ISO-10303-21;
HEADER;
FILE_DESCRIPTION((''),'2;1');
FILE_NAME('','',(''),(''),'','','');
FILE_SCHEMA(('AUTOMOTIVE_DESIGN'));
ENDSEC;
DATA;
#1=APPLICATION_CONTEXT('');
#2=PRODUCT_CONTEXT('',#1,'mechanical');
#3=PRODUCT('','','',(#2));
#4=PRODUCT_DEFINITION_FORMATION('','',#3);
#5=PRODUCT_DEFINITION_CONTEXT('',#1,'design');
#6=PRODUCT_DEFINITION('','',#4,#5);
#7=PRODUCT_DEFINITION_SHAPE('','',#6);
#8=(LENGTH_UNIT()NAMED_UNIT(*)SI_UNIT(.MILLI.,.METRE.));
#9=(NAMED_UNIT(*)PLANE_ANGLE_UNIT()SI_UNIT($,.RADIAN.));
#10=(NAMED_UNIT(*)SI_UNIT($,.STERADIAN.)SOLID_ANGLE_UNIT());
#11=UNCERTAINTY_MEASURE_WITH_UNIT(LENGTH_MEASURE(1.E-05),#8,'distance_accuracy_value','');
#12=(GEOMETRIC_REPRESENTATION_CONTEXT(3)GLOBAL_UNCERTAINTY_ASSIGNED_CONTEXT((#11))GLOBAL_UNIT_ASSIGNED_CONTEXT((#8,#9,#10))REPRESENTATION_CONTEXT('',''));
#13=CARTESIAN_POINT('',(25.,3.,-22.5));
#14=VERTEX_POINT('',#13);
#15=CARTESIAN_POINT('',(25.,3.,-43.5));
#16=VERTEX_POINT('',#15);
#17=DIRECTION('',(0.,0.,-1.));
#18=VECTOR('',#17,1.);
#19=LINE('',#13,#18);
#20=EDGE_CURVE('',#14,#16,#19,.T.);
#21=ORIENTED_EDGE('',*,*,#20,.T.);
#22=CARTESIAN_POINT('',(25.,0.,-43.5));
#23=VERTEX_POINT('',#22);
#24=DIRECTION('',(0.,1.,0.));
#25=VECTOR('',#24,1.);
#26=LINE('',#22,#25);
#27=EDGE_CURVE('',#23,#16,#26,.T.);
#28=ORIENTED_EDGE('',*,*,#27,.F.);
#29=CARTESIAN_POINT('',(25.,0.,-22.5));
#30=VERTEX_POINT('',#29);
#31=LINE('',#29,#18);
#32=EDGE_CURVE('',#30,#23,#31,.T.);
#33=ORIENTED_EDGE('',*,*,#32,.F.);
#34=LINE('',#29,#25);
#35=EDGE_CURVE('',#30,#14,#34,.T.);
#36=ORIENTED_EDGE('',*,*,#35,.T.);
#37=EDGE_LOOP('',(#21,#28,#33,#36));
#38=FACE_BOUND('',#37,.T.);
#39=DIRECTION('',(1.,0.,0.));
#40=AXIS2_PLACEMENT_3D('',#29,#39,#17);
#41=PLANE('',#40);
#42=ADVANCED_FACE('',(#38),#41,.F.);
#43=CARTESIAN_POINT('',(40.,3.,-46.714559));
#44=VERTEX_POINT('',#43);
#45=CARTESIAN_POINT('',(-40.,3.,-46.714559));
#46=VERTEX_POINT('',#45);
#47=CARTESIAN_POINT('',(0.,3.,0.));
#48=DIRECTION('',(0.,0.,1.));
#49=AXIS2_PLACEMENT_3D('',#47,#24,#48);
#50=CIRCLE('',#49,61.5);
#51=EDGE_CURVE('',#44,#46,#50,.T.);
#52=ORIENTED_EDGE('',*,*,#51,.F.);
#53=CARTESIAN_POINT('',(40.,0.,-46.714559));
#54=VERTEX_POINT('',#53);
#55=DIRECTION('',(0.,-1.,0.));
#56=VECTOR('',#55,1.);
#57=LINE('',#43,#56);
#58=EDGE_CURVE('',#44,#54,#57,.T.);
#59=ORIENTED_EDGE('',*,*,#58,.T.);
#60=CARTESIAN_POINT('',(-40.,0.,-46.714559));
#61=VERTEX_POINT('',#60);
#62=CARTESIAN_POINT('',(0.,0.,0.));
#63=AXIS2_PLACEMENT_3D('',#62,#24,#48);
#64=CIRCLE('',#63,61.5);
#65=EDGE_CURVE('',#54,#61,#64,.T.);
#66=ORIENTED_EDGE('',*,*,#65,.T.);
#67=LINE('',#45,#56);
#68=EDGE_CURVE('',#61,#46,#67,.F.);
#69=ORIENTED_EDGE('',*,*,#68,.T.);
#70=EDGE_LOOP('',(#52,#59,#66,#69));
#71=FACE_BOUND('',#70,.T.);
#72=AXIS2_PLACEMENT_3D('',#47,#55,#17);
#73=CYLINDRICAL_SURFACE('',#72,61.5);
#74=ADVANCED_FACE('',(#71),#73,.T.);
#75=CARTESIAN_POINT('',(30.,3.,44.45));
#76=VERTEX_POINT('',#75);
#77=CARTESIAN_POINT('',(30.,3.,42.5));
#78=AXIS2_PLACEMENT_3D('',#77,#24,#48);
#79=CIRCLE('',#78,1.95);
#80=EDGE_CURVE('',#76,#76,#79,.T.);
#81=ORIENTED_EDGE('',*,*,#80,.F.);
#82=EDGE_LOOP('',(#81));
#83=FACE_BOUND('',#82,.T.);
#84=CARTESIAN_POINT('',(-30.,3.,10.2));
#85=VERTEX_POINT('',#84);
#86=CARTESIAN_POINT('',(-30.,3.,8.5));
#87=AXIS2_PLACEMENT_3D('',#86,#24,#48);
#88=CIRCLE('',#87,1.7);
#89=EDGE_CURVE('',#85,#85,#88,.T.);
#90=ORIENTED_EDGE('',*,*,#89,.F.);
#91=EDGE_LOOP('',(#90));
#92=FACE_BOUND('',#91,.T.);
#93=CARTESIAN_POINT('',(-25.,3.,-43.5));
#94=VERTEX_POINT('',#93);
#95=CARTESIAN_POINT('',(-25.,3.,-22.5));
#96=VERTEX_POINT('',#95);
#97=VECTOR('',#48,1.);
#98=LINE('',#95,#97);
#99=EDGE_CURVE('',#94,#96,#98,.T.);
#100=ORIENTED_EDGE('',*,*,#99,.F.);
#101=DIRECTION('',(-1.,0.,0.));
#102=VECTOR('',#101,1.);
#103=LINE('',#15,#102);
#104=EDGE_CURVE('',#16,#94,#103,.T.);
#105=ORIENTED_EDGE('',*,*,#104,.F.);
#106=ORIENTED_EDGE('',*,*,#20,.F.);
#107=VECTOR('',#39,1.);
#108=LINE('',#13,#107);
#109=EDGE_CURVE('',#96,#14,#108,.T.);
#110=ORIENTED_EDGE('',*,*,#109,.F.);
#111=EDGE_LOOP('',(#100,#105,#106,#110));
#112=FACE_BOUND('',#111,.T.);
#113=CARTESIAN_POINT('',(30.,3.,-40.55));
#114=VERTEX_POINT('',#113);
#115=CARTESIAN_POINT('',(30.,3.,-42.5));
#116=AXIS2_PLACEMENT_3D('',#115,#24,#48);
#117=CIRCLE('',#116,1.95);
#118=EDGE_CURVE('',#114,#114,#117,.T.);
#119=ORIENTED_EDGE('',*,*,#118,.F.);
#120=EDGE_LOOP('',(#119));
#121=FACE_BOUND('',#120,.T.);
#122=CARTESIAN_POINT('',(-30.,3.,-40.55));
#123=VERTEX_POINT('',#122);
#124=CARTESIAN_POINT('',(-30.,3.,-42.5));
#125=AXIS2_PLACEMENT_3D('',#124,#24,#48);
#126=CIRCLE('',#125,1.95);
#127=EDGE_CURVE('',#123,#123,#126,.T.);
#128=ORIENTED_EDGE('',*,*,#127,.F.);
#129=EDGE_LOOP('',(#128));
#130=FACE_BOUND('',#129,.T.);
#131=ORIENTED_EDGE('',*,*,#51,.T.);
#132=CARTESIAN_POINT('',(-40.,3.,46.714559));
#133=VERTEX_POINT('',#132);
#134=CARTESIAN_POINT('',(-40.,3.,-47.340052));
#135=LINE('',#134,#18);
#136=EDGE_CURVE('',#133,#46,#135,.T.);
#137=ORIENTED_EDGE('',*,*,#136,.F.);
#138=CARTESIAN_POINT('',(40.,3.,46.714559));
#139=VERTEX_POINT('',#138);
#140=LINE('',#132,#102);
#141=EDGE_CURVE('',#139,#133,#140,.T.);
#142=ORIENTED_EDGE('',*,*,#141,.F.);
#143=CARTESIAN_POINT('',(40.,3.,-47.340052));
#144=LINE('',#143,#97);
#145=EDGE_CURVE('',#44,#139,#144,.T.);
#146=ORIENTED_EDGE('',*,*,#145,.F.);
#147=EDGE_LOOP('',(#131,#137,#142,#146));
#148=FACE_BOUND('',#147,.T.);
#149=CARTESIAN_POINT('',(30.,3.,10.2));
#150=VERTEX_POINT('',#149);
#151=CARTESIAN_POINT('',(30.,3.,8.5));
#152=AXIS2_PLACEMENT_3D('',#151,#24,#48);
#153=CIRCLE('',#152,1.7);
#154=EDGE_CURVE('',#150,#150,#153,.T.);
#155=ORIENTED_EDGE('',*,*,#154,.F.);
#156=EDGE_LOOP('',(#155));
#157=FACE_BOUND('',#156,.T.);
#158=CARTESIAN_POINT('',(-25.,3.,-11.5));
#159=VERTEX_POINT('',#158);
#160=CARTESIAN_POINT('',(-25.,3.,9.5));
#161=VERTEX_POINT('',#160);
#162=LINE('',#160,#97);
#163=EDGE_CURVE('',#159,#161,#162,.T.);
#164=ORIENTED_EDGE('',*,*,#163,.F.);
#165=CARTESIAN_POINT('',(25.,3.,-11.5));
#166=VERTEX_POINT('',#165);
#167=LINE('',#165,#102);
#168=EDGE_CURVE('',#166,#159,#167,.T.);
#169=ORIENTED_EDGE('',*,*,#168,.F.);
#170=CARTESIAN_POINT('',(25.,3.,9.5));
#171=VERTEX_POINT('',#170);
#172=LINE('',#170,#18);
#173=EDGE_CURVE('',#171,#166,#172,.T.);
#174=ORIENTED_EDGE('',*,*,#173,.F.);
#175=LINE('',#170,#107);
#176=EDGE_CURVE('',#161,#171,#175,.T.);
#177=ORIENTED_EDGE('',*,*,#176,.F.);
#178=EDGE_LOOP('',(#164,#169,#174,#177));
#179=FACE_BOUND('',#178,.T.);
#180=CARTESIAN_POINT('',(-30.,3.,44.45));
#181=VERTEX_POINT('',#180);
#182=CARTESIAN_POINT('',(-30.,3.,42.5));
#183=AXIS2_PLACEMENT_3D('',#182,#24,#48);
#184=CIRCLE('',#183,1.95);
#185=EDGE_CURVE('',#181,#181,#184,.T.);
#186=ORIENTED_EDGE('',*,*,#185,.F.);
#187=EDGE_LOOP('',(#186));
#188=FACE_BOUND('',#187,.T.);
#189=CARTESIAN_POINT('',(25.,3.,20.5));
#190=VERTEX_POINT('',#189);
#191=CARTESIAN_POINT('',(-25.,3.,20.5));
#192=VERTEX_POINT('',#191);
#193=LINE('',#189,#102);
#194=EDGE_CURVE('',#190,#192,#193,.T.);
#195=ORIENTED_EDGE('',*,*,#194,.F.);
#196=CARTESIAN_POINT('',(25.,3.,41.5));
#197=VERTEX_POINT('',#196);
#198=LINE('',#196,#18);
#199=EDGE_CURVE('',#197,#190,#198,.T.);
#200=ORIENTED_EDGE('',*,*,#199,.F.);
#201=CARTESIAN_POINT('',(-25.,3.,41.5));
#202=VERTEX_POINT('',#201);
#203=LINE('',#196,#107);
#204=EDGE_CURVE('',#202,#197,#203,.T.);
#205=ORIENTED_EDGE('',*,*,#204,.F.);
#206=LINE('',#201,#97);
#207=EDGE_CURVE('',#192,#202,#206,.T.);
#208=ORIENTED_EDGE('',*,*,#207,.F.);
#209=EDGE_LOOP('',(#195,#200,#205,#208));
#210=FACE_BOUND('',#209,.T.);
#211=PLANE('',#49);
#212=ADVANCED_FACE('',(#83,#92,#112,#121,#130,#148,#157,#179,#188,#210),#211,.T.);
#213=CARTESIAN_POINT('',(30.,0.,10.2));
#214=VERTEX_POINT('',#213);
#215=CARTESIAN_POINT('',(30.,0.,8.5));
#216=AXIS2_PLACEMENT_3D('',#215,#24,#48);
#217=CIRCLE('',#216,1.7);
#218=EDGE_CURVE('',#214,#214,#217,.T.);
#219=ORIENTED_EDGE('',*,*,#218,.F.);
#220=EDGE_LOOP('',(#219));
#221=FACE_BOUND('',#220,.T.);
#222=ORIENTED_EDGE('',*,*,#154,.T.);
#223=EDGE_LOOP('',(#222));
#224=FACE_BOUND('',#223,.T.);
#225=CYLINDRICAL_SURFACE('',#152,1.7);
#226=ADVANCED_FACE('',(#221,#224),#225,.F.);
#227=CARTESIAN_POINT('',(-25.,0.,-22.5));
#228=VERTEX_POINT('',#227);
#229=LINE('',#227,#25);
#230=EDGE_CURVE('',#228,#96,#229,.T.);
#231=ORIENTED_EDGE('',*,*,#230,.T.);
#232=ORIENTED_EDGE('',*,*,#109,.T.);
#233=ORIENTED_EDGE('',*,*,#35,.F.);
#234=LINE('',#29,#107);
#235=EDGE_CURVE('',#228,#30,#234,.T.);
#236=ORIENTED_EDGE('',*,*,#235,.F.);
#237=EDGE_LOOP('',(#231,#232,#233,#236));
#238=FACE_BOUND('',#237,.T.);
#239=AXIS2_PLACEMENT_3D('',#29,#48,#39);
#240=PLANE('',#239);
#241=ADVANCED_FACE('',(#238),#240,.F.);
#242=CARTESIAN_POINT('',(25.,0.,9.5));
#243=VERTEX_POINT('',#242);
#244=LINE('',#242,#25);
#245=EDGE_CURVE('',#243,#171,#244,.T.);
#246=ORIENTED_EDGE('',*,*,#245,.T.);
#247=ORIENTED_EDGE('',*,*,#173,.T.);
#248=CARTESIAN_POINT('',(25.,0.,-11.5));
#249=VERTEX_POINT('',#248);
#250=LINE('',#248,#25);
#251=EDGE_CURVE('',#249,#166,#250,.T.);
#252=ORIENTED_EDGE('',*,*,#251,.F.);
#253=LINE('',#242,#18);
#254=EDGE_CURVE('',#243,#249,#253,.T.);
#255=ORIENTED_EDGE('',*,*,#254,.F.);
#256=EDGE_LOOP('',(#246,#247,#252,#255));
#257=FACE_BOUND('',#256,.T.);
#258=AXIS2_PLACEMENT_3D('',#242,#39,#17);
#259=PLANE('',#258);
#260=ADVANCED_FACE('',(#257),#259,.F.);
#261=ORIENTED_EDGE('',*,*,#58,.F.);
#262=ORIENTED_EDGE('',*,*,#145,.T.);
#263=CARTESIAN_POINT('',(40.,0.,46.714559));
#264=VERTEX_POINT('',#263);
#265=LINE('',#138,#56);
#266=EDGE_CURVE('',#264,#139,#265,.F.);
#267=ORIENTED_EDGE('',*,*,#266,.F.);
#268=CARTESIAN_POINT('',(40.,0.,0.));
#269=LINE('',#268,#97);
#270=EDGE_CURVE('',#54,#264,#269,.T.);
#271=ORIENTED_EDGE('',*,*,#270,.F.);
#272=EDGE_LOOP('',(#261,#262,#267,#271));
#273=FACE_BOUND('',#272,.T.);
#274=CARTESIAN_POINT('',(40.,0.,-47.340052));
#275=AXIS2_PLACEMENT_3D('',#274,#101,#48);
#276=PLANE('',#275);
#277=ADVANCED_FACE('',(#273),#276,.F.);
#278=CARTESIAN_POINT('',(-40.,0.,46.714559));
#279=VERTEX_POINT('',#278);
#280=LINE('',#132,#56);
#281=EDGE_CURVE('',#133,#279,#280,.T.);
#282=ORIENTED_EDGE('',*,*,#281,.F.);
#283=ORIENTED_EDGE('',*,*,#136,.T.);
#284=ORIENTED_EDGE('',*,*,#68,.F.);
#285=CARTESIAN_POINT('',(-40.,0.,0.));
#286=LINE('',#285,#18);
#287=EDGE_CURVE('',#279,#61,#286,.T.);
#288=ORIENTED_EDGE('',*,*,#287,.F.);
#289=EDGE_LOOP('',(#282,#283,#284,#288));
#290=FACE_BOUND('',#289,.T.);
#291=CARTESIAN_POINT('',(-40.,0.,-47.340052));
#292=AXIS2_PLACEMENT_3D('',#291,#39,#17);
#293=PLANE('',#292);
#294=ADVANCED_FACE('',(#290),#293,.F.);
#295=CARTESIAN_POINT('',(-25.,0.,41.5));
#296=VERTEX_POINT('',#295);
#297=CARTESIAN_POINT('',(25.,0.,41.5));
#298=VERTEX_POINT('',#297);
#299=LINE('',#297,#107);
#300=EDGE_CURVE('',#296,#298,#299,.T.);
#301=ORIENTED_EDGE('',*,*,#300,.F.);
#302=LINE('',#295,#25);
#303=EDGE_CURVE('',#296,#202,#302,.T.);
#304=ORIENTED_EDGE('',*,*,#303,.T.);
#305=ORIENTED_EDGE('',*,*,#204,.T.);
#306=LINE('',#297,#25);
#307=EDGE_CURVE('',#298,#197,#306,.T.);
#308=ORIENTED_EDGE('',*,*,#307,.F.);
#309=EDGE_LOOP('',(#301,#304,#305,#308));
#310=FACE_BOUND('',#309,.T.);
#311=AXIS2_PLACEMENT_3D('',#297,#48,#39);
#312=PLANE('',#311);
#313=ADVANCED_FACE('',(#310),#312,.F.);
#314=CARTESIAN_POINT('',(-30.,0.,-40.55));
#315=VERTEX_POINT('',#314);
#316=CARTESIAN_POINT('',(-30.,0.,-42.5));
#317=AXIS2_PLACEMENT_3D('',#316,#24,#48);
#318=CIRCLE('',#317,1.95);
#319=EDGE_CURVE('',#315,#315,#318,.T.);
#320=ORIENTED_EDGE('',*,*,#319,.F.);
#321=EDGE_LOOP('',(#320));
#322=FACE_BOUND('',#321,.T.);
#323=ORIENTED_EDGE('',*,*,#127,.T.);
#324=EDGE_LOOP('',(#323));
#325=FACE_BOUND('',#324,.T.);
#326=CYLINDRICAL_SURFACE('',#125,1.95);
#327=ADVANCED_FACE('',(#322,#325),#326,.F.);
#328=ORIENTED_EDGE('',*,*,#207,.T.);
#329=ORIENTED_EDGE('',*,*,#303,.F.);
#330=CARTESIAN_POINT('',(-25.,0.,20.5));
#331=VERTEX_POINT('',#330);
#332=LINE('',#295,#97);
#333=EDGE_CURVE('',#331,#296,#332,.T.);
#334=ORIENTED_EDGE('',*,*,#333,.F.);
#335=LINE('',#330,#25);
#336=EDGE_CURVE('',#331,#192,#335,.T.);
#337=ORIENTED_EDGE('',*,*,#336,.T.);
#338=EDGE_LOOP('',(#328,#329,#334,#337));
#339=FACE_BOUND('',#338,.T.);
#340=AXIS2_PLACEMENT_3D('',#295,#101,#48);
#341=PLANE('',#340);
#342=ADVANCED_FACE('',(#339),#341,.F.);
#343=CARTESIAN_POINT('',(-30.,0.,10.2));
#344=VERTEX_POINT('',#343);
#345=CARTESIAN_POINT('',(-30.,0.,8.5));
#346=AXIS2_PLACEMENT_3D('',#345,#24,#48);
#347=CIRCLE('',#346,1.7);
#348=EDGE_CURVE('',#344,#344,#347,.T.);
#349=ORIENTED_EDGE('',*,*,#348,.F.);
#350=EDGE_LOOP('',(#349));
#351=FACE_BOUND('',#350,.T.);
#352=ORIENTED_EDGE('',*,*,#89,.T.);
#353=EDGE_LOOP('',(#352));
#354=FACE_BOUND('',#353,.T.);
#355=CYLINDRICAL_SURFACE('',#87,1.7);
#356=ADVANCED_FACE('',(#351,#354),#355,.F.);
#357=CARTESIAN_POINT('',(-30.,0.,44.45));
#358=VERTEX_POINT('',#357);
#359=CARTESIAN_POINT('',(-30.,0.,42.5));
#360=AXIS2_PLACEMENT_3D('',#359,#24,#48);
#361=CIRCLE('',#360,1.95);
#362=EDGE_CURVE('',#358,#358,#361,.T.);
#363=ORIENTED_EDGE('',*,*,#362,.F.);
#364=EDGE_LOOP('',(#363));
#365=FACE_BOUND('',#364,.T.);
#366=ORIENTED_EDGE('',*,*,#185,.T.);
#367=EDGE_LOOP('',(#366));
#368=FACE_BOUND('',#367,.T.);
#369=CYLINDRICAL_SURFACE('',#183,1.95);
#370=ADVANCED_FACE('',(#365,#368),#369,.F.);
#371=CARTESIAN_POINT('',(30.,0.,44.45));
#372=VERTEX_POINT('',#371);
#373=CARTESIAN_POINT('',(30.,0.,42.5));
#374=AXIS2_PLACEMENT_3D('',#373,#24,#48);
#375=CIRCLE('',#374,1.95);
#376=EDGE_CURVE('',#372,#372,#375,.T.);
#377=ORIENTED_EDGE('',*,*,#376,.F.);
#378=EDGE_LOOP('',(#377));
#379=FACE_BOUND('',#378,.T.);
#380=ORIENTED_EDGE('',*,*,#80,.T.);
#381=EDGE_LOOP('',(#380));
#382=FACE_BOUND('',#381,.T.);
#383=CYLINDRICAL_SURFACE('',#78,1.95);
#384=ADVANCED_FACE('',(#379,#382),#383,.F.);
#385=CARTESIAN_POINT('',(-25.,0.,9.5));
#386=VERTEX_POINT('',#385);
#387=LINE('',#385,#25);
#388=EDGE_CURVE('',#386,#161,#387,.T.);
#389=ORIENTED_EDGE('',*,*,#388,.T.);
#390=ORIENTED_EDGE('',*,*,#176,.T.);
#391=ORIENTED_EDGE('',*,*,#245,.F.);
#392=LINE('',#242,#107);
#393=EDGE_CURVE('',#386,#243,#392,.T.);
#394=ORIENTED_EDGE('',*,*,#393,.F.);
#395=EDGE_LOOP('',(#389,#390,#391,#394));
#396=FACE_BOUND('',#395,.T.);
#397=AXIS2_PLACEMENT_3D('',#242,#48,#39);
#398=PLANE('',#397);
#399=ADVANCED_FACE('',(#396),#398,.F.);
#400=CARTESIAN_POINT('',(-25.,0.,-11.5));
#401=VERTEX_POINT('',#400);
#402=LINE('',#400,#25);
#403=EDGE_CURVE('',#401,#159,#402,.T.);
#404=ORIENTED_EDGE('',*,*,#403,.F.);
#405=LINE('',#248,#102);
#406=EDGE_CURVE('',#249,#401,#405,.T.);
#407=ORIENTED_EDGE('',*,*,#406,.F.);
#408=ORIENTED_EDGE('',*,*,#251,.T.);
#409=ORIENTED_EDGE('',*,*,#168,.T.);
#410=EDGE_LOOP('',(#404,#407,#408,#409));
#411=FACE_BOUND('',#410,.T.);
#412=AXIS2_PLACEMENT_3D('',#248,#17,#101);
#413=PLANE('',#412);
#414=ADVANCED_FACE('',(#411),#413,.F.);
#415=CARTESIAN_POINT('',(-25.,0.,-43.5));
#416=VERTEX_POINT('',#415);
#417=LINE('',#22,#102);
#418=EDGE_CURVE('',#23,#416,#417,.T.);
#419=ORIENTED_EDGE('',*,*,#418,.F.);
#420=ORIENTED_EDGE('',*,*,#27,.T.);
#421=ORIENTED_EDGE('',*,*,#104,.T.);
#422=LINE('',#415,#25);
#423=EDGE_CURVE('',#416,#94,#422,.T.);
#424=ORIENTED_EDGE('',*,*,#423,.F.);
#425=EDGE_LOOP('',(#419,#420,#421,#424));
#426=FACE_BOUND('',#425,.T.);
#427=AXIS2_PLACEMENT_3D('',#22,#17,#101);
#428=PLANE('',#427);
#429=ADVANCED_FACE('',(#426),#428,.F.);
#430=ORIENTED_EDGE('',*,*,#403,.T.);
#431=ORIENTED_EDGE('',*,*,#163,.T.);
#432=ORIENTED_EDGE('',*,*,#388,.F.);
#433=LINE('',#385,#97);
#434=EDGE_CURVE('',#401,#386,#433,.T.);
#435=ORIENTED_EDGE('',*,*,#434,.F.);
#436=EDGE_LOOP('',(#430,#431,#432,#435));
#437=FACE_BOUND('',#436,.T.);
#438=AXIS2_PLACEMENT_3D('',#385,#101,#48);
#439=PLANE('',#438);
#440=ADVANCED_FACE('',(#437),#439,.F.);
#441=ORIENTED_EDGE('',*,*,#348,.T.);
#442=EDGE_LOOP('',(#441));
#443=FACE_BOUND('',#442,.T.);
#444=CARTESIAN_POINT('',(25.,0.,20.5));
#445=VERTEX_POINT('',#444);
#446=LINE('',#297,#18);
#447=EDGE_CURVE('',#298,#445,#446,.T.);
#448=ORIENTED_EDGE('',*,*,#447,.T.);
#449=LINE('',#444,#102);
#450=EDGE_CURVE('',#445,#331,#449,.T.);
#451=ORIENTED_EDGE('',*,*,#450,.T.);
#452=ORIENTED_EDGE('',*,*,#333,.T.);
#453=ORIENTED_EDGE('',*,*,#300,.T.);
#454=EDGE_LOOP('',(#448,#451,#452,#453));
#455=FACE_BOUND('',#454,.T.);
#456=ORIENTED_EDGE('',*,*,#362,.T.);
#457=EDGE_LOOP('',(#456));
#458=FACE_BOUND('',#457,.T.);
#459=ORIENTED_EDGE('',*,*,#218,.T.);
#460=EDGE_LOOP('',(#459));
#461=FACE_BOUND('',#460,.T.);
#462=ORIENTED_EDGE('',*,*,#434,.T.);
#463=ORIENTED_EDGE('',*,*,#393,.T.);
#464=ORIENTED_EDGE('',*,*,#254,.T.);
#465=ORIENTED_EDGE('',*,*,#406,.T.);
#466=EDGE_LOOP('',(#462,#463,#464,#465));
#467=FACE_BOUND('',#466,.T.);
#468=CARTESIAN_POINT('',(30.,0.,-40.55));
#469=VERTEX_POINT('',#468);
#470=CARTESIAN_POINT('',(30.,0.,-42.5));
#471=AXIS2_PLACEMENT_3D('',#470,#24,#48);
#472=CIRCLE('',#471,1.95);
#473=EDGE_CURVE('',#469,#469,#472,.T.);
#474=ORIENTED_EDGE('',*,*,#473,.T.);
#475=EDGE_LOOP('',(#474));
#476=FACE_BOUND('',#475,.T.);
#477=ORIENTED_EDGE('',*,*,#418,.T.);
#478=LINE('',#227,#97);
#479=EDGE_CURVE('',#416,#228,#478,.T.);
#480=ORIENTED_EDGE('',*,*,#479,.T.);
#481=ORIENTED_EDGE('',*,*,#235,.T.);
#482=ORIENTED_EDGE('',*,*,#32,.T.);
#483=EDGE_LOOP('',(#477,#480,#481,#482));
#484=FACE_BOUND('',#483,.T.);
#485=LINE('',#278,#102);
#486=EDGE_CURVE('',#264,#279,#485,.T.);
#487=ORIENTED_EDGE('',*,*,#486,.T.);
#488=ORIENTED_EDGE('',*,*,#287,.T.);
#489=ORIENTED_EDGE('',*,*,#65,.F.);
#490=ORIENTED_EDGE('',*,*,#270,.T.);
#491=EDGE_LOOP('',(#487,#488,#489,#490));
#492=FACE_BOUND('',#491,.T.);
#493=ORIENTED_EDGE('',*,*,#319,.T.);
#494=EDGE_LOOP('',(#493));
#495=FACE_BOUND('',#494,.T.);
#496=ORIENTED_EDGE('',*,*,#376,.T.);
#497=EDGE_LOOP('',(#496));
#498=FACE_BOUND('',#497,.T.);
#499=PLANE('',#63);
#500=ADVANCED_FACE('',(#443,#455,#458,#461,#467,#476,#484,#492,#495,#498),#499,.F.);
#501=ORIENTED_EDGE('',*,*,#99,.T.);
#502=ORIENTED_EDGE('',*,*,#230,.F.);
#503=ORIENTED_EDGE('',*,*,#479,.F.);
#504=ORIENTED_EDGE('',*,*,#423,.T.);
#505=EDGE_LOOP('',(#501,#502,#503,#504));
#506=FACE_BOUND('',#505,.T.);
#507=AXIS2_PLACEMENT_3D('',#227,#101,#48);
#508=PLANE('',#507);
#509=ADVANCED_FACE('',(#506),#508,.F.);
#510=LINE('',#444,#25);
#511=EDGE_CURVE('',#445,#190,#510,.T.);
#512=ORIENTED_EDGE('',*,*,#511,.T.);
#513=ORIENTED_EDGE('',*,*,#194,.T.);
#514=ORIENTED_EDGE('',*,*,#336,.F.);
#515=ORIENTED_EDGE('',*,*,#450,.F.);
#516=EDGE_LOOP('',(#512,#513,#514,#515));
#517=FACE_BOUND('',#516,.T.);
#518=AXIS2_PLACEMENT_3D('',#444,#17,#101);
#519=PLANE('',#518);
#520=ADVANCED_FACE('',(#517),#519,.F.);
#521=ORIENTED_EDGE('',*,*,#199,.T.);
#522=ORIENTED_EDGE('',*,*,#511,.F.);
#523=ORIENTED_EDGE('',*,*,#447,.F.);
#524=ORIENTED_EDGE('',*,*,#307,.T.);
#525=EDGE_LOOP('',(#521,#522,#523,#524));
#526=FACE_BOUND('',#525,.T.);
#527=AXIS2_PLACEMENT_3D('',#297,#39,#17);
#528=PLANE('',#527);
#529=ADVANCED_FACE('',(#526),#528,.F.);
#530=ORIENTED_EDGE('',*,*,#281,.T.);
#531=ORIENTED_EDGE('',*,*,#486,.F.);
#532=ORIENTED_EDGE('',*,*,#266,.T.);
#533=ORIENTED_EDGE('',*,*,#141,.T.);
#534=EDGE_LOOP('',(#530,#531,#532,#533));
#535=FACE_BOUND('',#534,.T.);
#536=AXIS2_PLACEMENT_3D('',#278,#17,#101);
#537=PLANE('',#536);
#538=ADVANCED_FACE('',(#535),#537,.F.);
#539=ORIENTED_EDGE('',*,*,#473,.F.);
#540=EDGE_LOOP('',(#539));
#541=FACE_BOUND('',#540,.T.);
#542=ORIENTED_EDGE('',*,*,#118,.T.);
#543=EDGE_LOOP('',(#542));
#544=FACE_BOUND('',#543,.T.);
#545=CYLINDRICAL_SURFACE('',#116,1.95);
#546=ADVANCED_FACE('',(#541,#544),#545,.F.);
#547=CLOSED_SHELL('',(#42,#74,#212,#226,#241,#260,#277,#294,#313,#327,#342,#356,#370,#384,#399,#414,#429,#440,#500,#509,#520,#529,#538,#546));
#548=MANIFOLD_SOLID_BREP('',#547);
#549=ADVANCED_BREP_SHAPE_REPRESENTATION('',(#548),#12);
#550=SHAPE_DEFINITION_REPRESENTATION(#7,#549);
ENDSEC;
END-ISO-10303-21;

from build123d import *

# Parameters (mm, degrees)
ESQUISSE1_R             = 61.5
BOSS_EXTRU_1_DEPTH      = 3
ESQUISSE3_W             = 30.466369815
ESQUISSE3_H             = 114.600421842
ENL_V_MAT_EXTRU_1_DEPTH = 4
D_GAGEMENT_M31_D        = 3.4
D_GAGEMENT_M3_51_D      = 3.9
ESQUISSE15_W            = 50
ESQUISSE15_H            = 21
ESQUISSE15_W_2          = 80
ESQUISSE15_H_2          = 16.662747472
ENL_V_MAT_EXTRU_2_DEPTH = 4


with BuildPart() as part:
    # Esquisse1 → Boss.-Extru.1 (new body)
    with BuildSketch(Plane(origin=(0, 0, 0), x_dir=(1, 0, 0), z_dir=(0, 1, 0))):
        Circle(ESQUISSE1_R)
    extrude(amount=BOSS_EXTRU_1_DEPTH)

    # Esquisse3 → Enlèv. mat.-Extru.1 (cut, through all)
    with BuildSketch(Plane(origin=(0, 3, 0), x_dir=(1, 0, 0), z_dir=(0, 1, 0))):
        with Locations((-55.233184908, -9.960159363)):
            Rectangle(ESQUISSE3_W, ESQUISSE3_H)
        with Locations((55.233184908, -9.960159363)):
            Rectangle(ESQUISSE3_W, ESQUISSE3_H)
    extrude(amount=-ENL_V_MAT_EXTRU_1_DEPTH, mode=Mode.SUBTRACT)

    # Dégagement M31 (through all)
    with Locations(Plane(origin=(0, 3, 0), x_dir=(1, 0, 0), z_dir=(0, 1, 0))):
        with Locations((-30, -8.5)):
            d_gagement_m31 = Hole(D_GAGEMENT_M31_D / 2)

    # Symétrie1: Dégagement M31 across plane
    add(d_gagement_m31.mirror(Plane.ZY), mode=Mode.SUBTRACT)

    # Dégagement M3.51 (through all)
    with Locations(Plane(origin=(0, 3, 0), x_dir=(1, 0, 0), z_dir=(0, 1, 0))):
        with Locations((-30, 42.5), (30, 42.5), (30, -42.5), (-30, -42.5)):
            Hole(D_GAGEMENT_M3_51_D / 2)

    # Esquisse15 → Enlèv. mat.-Extru.2 (cut, through all)
    with BuildSketch(Plane(origin=(0, 3, 0), x_dir=(1, 0, 0), z_dir=(0, 1, 0))):
        with Locations((0, 33)):
            Rectangle(ESQUISSE15_W, ESQUISSE15_H)
        with Locations((0, -55.045932494)):
            Rectangle(ESQUISSE15_W_2, ESQUISSE15_H_2)
        with Locations((0, -31)):
            Rectangle(ESQUISSE15_W, ESQUISSE15_H)
        with Locations((0, 1)):
            Rectangle(ESQUISSE15_W, ESQUISSE15_H)
    extrude(amount=-ENL_V_MAT_EXTRU_2_DEPTH, mode=Mode.SUBTRACT)


solid = part.part
